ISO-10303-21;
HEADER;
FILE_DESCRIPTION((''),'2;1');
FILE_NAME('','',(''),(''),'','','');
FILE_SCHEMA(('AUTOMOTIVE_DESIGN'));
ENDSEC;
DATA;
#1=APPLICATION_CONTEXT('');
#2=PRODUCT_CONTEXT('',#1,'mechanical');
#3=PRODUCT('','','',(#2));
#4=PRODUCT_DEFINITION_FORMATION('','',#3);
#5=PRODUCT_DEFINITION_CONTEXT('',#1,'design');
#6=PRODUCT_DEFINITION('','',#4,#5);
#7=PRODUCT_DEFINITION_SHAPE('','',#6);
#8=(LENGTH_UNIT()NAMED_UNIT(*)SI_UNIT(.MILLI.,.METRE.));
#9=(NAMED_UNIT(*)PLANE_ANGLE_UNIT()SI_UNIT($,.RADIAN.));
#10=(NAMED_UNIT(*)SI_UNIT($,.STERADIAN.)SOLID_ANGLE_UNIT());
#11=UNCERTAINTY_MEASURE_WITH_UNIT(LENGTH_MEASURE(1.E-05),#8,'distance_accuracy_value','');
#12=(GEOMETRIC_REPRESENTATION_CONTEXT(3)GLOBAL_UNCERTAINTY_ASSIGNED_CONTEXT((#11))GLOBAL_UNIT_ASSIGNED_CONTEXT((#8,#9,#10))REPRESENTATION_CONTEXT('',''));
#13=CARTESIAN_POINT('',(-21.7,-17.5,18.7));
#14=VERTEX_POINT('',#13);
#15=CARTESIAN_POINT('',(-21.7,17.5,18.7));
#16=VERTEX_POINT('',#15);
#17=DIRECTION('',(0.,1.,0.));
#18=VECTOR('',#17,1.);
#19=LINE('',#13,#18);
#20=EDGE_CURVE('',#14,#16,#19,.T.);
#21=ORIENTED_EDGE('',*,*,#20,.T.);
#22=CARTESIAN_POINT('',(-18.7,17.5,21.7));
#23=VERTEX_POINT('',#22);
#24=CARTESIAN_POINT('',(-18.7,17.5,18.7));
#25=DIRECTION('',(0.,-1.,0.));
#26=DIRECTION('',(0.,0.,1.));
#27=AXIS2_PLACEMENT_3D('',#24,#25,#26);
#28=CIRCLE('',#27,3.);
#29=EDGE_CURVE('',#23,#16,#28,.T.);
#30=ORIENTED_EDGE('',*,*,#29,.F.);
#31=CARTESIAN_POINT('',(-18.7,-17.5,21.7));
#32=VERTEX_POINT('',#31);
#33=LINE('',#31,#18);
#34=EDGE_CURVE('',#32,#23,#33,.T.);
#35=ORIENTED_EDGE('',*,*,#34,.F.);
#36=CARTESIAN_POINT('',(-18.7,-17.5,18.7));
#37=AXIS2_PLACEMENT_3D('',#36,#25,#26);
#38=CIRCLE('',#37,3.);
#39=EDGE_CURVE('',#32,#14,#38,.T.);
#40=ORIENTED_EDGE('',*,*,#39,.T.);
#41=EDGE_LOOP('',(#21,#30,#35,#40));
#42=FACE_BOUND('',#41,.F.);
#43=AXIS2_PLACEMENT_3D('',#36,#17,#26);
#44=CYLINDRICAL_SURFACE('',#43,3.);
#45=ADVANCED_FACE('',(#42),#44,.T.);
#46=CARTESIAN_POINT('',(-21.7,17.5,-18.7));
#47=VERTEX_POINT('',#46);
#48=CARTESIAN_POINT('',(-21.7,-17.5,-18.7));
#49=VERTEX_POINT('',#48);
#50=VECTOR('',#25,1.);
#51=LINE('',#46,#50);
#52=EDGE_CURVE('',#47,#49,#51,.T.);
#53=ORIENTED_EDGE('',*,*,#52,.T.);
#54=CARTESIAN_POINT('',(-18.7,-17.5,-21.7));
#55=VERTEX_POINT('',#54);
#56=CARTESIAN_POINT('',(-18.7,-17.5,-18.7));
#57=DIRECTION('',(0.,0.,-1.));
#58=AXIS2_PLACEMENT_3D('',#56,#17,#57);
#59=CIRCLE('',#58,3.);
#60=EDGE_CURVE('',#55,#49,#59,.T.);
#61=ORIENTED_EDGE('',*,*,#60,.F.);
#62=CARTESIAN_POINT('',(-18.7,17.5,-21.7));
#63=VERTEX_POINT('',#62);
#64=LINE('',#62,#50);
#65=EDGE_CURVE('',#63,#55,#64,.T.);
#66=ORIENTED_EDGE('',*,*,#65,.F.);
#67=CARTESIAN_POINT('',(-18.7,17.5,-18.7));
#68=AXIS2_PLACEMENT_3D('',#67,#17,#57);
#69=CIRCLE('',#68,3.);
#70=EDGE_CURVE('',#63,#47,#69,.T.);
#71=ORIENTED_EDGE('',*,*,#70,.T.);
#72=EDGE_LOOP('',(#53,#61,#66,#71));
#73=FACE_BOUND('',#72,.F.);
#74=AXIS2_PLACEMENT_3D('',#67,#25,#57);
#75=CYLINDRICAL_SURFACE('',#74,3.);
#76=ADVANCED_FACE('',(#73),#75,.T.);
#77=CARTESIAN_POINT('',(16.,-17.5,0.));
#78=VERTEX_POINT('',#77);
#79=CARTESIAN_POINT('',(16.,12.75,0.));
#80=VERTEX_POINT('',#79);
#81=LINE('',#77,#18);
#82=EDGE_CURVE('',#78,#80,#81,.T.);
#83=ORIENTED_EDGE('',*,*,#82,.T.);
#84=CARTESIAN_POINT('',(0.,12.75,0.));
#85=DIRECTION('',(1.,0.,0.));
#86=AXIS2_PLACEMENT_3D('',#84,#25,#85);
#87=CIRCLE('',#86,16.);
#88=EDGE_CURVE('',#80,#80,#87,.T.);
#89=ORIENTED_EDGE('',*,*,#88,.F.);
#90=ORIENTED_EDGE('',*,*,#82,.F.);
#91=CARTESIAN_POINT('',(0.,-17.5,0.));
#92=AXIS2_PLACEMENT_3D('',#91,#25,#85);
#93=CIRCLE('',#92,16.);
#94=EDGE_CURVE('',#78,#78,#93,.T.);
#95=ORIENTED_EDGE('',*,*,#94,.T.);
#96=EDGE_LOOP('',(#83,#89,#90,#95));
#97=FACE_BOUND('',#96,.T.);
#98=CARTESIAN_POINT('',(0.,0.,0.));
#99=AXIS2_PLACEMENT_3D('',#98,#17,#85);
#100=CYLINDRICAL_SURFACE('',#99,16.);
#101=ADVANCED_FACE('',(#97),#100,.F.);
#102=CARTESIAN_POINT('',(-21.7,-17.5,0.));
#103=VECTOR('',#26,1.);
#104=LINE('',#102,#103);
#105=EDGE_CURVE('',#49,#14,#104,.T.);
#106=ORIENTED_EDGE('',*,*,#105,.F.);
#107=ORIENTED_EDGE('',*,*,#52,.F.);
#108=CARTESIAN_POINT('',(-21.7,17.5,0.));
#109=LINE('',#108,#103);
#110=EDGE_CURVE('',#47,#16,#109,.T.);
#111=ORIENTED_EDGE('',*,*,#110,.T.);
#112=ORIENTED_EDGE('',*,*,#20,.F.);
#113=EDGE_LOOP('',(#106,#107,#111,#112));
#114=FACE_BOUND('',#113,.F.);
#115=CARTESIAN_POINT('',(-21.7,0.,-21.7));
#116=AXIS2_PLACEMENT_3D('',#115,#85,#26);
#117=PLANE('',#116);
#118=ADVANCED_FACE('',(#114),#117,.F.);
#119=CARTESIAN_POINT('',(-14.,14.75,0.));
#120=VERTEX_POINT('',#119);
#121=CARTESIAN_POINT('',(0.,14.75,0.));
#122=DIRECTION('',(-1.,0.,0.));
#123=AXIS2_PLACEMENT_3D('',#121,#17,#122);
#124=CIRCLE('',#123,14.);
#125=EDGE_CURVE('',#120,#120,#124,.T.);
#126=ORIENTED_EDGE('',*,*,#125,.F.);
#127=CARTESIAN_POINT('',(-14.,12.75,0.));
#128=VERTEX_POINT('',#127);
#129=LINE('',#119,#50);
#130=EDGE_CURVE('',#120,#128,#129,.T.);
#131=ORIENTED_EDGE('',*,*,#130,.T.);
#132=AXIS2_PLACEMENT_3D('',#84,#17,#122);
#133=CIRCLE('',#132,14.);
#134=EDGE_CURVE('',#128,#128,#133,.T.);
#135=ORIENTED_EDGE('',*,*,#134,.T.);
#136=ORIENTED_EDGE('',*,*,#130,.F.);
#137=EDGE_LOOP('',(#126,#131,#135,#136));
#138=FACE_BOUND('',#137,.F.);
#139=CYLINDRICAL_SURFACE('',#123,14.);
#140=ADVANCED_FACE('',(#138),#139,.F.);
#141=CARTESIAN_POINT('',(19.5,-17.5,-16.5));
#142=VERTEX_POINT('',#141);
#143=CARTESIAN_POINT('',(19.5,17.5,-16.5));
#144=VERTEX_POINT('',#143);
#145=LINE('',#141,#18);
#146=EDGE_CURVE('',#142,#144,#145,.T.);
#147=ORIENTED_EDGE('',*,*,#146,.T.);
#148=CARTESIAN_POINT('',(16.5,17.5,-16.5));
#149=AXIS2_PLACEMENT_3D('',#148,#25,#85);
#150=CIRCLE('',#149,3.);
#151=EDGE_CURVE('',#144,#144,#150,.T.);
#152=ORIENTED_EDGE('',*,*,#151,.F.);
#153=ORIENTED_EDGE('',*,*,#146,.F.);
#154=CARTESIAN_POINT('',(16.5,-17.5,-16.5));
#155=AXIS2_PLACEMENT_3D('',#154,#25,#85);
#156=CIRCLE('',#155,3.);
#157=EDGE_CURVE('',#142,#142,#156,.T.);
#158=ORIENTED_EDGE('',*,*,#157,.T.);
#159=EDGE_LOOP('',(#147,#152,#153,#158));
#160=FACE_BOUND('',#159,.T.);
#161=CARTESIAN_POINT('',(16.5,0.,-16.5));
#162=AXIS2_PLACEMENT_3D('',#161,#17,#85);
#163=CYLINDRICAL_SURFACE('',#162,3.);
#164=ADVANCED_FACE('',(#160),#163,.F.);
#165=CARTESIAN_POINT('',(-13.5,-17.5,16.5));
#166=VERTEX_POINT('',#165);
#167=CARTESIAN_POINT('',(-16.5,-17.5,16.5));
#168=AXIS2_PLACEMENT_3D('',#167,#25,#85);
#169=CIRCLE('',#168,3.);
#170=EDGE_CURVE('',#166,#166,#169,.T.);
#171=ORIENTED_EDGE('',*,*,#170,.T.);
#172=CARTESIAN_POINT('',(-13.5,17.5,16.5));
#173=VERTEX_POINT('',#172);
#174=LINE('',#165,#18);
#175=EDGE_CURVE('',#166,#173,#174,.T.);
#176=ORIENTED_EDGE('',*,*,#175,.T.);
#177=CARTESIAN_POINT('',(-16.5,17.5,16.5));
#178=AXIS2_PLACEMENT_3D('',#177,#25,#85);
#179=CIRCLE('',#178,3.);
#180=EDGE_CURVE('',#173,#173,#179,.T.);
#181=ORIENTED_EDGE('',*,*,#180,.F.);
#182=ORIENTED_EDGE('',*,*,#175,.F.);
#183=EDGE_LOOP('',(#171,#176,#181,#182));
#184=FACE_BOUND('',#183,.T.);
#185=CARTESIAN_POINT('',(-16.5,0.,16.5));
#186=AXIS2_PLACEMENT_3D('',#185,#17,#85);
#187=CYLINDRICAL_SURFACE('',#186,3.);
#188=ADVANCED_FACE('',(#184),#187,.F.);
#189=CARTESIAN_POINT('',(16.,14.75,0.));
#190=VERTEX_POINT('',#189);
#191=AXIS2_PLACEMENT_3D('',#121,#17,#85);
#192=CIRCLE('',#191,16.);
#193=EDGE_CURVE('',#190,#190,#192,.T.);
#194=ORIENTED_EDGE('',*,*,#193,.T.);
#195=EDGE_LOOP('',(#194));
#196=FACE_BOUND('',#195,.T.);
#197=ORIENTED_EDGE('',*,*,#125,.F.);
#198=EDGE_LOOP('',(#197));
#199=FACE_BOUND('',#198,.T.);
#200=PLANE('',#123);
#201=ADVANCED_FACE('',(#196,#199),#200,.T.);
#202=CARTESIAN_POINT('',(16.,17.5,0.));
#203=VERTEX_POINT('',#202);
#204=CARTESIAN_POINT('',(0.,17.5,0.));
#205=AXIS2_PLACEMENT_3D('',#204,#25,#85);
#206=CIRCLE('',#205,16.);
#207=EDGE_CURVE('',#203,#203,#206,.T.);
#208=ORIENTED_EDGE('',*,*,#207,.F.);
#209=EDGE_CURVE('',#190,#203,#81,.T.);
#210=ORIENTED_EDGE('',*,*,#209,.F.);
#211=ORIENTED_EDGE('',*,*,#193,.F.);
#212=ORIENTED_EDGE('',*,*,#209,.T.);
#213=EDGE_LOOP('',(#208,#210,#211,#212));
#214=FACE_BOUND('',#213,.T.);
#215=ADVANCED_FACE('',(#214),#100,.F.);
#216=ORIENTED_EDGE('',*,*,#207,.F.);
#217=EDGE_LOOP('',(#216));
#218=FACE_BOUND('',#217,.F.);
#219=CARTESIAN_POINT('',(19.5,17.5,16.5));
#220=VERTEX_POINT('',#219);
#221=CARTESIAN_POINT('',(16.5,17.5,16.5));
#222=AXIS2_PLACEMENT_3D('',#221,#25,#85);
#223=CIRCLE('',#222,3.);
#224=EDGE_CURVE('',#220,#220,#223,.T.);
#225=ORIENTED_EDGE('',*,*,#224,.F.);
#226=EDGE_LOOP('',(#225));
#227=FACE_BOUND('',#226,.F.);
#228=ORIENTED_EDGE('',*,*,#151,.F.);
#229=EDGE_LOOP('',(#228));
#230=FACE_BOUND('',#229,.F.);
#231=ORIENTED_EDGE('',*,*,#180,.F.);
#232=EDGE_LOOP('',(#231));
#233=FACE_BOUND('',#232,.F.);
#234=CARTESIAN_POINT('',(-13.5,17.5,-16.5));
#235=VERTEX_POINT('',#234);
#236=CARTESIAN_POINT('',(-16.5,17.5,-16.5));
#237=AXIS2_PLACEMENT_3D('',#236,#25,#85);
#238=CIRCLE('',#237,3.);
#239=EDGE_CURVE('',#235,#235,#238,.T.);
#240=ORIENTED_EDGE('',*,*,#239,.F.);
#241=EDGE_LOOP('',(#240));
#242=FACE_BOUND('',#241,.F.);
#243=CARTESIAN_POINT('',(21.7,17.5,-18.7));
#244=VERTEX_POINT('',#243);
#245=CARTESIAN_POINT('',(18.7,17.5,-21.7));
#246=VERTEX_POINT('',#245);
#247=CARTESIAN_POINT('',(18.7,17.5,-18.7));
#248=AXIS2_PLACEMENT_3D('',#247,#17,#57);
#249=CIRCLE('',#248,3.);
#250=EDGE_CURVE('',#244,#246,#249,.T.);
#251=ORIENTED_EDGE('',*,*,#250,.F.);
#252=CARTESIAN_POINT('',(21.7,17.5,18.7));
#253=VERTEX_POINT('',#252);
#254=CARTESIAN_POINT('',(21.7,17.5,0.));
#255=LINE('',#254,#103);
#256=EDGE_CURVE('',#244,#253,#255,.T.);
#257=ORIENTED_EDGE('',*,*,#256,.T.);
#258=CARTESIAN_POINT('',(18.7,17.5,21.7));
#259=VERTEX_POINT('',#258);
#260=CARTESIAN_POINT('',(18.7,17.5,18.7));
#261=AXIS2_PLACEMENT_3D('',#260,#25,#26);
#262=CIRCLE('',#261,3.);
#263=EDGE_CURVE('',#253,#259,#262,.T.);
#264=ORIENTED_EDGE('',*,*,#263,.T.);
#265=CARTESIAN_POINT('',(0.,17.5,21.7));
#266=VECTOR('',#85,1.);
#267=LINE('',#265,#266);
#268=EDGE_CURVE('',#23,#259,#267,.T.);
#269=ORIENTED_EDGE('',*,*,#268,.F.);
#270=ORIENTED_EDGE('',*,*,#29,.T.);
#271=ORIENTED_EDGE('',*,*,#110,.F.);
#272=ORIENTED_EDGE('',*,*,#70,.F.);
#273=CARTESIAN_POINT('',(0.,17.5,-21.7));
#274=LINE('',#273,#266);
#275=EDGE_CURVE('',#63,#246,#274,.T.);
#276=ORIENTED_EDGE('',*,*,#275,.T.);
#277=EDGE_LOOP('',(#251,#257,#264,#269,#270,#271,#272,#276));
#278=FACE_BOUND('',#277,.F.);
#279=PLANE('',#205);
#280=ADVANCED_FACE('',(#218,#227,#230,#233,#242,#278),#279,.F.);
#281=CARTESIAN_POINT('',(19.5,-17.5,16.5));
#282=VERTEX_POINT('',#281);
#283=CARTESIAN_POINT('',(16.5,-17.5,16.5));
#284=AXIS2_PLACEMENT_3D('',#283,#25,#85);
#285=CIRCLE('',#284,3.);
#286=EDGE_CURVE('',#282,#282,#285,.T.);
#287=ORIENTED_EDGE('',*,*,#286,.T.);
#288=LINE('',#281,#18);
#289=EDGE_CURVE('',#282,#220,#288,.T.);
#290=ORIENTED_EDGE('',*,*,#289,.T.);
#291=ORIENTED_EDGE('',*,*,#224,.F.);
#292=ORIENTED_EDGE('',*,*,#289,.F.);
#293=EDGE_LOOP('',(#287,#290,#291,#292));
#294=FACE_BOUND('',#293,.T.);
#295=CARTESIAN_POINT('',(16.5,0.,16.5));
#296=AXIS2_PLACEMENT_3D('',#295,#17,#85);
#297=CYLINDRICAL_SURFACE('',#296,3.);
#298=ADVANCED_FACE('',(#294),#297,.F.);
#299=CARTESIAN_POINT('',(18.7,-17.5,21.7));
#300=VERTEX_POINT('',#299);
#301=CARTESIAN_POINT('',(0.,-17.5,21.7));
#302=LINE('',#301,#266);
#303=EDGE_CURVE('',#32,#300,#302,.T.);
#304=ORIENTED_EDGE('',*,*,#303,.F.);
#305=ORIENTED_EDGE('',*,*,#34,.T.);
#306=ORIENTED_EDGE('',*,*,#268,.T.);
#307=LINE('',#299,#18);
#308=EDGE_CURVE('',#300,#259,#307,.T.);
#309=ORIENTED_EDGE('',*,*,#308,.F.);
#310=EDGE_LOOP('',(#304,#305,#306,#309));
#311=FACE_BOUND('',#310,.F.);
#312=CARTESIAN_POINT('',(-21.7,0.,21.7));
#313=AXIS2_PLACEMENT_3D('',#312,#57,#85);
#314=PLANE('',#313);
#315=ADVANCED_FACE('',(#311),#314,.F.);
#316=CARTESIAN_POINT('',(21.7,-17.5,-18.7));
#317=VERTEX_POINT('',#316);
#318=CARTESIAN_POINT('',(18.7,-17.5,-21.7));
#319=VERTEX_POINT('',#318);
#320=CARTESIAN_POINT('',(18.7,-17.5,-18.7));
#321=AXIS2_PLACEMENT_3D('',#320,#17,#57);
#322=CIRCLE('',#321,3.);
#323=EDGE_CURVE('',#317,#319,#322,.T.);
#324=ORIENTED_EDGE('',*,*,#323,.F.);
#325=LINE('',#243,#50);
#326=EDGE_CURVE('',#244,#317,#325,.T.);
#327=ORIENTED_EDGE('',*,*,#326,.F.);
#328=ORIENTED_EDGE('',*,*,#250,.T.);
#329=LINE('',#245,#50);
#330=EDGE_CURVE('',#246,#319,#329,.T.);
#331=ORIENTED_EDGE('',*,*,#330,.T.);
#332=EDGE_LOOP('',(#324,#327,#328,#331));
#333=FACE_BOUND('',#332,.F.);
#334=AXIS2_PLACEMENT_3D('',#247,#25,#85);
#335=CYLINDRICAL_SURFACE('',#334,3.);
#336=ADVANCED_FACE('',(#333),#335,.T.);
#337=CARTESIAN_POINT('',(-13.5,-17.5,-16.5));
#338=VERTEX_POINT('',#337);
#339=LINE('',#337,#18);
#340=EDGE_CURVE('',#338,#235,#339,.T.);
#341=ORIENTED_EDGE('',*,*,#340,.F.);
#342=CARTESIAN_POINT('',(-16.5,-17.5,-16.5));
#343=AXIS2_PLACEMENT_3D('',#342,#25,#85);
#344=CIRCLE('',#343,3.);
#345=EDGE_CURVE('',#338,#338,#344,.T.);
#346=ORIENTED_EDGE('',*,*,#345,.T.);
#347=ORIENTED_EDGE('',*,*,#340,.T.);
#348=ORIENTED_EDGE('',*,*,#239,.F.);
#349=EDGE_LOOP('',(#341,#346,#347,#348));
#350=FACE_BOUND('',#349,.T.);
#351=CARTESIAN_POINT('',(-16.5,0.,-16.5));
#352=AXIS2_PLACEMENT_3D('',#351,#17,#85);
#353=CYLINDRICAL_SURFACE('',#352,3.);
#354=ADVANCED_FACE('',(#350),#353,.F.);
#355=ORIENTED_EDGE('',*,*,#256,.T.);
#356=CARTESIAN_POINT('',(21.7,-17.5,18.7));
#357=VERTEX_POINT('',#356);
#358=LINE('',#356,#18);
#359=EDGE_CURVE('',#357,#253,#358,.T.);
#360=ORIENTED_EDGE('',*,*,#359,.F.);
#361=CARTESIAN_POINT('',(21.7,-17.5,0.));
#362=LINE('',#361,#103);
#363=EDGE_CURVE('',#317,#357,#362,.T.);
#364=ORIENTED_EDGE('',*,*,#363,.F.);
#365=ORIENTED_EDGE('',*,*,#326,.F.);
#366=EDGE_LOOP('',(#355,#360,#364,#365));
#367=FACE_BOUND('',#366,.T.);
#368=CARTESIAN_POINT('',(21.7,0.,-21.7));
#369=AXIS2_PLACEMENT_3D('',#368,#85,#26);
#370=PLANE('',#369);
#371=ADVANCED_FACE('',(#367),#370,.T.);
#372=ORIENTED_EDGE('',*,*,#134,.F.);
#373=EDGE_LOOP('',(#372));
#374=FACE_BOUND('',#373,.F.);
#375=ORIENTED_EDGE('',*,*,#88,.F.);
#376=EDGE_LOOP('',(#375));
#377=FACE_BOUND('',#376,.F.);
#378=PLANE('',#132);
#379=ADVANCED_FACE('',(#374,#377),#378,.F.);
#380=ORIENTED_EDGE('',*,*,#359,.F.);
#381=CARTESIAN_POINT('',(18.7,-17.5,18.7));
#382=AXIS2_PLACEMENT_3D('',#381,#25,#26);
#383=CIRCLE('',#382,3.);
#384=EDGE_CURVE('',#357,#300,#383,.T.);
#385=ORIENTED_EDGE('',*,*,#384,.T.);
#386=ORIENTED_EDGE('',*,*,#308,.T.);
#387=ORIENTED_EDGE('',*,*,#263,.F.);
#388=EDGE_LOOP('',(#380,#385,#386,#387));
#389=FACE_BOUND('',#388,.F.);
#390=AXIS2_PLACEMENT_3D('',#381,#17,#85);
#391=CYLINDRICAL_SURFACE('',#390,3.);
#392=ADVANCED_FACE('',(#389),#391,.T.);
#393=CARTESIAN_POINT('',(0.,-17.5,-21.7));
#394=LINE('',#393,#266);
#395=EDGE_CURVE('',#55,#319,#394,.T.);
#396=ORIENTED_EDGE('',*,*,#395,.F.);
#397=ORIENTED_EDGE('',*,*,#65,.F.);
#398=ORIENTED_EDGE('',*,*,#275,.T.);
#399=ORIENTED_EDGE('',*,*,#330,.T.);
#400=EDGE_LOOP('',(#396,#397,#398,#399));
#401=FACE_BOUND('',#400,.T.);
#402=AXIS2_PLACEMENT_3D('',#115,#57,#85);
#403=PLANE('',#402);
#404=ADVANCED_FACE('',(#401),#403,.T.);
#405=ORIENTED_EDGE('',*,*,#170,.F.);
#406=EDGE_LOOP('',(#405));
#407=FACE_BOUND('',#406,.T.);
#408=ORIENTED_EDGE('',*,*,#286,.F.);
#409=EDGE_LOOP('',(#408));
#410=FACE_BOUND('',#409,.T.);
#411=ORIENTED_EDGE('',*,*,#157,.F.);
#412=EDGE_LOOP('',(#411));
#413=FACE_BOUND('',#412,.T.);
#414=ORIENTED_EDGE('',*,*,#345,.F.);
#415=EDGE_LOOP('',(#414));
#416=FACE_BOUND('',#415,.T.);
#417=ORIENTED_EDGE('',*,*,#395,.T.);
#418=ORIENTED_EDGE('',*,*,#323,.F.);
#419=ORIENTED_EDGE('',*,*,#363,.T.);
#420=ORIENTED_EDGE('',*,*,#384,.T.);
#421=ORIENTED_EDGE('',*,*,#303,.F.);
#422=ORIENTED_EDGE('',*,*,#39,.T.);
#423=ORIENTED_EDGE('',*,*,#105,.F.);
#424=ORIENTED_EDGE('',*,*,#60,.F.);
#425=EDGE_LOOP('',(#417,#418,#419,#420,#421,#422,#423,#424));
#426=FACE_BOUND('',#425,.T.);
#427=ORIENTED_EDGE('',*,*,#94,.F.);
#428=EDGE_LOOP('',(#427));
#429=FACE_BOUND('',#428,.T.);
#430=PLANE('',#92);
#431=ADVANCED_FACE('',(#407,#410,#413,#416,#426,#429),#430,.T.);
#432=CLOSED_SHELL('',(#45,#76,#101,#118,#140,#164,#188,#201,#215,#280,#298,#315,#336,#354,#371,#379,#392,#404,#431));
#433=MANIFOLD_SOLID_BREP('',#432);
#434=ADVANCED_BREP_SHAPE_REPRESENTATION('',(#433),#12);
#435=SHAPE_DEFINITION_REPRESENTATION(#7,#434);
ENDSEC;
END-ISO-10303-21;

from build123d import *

# Parameters (mm, degrees)
F0_W     = 43.4
F0_H     = 43.4
F0_R     = 3
F0_R_2   = 16
F1_DEPTH = 17.5
F3_R     = 16
F3_R_2   = 14
F4_DEPTH = 2
F5_R     = 3


with BuildPart() as f1:
    # F0 (on Front) → F1 (new body, symmetric)
    with BuildSketch(Plane.XZ):
        Rectangle(F0_W, F0_H)
        with Locations((-16.5, -16.5)):
            Circle(F0_R, mode=Mode.SUBTRACT)
        with Locations((16.5, -16.5)):
            Circle(F0_R, mode=Mode.SUBTRACT)
        with Locations((-16.5, 16.5)):
            Circle(F0_R, mode=Mode.SUBTRACT)
        Circle(F0_R_2, mode=Mode.SUBTRACT)
        with Locations((16.5, 16.5)):
            Circle(F0_R, mode=Mode.SUBTRACT)
    extrude(amount=F1_DEPTH, both=True)

    # F3 (on offset) → F4 (join)
    with BuildSketch(Plane(origin=(0, 14.75, 0), x_dir=(-1, 0, 0), z_dir=(0, 1, 0))):
        Circle(F3_R)
        Circle(F3_R_2, mode=Mode.SUBTRACT)
    extrude(amount=-F4_DEPTH)

    # F5
    f5_edges = [f1.edges().sort_by_distance(p)[0] for p in [
        (-21.7, 0, 21.7),
        (21.7, 0, 21.7),
        (21.7, 0, -21.7),
        (-21.7, 0, -21.7),
    ]]
    fillet(f5_edges, radius=F5_R)


solid = f1.part
